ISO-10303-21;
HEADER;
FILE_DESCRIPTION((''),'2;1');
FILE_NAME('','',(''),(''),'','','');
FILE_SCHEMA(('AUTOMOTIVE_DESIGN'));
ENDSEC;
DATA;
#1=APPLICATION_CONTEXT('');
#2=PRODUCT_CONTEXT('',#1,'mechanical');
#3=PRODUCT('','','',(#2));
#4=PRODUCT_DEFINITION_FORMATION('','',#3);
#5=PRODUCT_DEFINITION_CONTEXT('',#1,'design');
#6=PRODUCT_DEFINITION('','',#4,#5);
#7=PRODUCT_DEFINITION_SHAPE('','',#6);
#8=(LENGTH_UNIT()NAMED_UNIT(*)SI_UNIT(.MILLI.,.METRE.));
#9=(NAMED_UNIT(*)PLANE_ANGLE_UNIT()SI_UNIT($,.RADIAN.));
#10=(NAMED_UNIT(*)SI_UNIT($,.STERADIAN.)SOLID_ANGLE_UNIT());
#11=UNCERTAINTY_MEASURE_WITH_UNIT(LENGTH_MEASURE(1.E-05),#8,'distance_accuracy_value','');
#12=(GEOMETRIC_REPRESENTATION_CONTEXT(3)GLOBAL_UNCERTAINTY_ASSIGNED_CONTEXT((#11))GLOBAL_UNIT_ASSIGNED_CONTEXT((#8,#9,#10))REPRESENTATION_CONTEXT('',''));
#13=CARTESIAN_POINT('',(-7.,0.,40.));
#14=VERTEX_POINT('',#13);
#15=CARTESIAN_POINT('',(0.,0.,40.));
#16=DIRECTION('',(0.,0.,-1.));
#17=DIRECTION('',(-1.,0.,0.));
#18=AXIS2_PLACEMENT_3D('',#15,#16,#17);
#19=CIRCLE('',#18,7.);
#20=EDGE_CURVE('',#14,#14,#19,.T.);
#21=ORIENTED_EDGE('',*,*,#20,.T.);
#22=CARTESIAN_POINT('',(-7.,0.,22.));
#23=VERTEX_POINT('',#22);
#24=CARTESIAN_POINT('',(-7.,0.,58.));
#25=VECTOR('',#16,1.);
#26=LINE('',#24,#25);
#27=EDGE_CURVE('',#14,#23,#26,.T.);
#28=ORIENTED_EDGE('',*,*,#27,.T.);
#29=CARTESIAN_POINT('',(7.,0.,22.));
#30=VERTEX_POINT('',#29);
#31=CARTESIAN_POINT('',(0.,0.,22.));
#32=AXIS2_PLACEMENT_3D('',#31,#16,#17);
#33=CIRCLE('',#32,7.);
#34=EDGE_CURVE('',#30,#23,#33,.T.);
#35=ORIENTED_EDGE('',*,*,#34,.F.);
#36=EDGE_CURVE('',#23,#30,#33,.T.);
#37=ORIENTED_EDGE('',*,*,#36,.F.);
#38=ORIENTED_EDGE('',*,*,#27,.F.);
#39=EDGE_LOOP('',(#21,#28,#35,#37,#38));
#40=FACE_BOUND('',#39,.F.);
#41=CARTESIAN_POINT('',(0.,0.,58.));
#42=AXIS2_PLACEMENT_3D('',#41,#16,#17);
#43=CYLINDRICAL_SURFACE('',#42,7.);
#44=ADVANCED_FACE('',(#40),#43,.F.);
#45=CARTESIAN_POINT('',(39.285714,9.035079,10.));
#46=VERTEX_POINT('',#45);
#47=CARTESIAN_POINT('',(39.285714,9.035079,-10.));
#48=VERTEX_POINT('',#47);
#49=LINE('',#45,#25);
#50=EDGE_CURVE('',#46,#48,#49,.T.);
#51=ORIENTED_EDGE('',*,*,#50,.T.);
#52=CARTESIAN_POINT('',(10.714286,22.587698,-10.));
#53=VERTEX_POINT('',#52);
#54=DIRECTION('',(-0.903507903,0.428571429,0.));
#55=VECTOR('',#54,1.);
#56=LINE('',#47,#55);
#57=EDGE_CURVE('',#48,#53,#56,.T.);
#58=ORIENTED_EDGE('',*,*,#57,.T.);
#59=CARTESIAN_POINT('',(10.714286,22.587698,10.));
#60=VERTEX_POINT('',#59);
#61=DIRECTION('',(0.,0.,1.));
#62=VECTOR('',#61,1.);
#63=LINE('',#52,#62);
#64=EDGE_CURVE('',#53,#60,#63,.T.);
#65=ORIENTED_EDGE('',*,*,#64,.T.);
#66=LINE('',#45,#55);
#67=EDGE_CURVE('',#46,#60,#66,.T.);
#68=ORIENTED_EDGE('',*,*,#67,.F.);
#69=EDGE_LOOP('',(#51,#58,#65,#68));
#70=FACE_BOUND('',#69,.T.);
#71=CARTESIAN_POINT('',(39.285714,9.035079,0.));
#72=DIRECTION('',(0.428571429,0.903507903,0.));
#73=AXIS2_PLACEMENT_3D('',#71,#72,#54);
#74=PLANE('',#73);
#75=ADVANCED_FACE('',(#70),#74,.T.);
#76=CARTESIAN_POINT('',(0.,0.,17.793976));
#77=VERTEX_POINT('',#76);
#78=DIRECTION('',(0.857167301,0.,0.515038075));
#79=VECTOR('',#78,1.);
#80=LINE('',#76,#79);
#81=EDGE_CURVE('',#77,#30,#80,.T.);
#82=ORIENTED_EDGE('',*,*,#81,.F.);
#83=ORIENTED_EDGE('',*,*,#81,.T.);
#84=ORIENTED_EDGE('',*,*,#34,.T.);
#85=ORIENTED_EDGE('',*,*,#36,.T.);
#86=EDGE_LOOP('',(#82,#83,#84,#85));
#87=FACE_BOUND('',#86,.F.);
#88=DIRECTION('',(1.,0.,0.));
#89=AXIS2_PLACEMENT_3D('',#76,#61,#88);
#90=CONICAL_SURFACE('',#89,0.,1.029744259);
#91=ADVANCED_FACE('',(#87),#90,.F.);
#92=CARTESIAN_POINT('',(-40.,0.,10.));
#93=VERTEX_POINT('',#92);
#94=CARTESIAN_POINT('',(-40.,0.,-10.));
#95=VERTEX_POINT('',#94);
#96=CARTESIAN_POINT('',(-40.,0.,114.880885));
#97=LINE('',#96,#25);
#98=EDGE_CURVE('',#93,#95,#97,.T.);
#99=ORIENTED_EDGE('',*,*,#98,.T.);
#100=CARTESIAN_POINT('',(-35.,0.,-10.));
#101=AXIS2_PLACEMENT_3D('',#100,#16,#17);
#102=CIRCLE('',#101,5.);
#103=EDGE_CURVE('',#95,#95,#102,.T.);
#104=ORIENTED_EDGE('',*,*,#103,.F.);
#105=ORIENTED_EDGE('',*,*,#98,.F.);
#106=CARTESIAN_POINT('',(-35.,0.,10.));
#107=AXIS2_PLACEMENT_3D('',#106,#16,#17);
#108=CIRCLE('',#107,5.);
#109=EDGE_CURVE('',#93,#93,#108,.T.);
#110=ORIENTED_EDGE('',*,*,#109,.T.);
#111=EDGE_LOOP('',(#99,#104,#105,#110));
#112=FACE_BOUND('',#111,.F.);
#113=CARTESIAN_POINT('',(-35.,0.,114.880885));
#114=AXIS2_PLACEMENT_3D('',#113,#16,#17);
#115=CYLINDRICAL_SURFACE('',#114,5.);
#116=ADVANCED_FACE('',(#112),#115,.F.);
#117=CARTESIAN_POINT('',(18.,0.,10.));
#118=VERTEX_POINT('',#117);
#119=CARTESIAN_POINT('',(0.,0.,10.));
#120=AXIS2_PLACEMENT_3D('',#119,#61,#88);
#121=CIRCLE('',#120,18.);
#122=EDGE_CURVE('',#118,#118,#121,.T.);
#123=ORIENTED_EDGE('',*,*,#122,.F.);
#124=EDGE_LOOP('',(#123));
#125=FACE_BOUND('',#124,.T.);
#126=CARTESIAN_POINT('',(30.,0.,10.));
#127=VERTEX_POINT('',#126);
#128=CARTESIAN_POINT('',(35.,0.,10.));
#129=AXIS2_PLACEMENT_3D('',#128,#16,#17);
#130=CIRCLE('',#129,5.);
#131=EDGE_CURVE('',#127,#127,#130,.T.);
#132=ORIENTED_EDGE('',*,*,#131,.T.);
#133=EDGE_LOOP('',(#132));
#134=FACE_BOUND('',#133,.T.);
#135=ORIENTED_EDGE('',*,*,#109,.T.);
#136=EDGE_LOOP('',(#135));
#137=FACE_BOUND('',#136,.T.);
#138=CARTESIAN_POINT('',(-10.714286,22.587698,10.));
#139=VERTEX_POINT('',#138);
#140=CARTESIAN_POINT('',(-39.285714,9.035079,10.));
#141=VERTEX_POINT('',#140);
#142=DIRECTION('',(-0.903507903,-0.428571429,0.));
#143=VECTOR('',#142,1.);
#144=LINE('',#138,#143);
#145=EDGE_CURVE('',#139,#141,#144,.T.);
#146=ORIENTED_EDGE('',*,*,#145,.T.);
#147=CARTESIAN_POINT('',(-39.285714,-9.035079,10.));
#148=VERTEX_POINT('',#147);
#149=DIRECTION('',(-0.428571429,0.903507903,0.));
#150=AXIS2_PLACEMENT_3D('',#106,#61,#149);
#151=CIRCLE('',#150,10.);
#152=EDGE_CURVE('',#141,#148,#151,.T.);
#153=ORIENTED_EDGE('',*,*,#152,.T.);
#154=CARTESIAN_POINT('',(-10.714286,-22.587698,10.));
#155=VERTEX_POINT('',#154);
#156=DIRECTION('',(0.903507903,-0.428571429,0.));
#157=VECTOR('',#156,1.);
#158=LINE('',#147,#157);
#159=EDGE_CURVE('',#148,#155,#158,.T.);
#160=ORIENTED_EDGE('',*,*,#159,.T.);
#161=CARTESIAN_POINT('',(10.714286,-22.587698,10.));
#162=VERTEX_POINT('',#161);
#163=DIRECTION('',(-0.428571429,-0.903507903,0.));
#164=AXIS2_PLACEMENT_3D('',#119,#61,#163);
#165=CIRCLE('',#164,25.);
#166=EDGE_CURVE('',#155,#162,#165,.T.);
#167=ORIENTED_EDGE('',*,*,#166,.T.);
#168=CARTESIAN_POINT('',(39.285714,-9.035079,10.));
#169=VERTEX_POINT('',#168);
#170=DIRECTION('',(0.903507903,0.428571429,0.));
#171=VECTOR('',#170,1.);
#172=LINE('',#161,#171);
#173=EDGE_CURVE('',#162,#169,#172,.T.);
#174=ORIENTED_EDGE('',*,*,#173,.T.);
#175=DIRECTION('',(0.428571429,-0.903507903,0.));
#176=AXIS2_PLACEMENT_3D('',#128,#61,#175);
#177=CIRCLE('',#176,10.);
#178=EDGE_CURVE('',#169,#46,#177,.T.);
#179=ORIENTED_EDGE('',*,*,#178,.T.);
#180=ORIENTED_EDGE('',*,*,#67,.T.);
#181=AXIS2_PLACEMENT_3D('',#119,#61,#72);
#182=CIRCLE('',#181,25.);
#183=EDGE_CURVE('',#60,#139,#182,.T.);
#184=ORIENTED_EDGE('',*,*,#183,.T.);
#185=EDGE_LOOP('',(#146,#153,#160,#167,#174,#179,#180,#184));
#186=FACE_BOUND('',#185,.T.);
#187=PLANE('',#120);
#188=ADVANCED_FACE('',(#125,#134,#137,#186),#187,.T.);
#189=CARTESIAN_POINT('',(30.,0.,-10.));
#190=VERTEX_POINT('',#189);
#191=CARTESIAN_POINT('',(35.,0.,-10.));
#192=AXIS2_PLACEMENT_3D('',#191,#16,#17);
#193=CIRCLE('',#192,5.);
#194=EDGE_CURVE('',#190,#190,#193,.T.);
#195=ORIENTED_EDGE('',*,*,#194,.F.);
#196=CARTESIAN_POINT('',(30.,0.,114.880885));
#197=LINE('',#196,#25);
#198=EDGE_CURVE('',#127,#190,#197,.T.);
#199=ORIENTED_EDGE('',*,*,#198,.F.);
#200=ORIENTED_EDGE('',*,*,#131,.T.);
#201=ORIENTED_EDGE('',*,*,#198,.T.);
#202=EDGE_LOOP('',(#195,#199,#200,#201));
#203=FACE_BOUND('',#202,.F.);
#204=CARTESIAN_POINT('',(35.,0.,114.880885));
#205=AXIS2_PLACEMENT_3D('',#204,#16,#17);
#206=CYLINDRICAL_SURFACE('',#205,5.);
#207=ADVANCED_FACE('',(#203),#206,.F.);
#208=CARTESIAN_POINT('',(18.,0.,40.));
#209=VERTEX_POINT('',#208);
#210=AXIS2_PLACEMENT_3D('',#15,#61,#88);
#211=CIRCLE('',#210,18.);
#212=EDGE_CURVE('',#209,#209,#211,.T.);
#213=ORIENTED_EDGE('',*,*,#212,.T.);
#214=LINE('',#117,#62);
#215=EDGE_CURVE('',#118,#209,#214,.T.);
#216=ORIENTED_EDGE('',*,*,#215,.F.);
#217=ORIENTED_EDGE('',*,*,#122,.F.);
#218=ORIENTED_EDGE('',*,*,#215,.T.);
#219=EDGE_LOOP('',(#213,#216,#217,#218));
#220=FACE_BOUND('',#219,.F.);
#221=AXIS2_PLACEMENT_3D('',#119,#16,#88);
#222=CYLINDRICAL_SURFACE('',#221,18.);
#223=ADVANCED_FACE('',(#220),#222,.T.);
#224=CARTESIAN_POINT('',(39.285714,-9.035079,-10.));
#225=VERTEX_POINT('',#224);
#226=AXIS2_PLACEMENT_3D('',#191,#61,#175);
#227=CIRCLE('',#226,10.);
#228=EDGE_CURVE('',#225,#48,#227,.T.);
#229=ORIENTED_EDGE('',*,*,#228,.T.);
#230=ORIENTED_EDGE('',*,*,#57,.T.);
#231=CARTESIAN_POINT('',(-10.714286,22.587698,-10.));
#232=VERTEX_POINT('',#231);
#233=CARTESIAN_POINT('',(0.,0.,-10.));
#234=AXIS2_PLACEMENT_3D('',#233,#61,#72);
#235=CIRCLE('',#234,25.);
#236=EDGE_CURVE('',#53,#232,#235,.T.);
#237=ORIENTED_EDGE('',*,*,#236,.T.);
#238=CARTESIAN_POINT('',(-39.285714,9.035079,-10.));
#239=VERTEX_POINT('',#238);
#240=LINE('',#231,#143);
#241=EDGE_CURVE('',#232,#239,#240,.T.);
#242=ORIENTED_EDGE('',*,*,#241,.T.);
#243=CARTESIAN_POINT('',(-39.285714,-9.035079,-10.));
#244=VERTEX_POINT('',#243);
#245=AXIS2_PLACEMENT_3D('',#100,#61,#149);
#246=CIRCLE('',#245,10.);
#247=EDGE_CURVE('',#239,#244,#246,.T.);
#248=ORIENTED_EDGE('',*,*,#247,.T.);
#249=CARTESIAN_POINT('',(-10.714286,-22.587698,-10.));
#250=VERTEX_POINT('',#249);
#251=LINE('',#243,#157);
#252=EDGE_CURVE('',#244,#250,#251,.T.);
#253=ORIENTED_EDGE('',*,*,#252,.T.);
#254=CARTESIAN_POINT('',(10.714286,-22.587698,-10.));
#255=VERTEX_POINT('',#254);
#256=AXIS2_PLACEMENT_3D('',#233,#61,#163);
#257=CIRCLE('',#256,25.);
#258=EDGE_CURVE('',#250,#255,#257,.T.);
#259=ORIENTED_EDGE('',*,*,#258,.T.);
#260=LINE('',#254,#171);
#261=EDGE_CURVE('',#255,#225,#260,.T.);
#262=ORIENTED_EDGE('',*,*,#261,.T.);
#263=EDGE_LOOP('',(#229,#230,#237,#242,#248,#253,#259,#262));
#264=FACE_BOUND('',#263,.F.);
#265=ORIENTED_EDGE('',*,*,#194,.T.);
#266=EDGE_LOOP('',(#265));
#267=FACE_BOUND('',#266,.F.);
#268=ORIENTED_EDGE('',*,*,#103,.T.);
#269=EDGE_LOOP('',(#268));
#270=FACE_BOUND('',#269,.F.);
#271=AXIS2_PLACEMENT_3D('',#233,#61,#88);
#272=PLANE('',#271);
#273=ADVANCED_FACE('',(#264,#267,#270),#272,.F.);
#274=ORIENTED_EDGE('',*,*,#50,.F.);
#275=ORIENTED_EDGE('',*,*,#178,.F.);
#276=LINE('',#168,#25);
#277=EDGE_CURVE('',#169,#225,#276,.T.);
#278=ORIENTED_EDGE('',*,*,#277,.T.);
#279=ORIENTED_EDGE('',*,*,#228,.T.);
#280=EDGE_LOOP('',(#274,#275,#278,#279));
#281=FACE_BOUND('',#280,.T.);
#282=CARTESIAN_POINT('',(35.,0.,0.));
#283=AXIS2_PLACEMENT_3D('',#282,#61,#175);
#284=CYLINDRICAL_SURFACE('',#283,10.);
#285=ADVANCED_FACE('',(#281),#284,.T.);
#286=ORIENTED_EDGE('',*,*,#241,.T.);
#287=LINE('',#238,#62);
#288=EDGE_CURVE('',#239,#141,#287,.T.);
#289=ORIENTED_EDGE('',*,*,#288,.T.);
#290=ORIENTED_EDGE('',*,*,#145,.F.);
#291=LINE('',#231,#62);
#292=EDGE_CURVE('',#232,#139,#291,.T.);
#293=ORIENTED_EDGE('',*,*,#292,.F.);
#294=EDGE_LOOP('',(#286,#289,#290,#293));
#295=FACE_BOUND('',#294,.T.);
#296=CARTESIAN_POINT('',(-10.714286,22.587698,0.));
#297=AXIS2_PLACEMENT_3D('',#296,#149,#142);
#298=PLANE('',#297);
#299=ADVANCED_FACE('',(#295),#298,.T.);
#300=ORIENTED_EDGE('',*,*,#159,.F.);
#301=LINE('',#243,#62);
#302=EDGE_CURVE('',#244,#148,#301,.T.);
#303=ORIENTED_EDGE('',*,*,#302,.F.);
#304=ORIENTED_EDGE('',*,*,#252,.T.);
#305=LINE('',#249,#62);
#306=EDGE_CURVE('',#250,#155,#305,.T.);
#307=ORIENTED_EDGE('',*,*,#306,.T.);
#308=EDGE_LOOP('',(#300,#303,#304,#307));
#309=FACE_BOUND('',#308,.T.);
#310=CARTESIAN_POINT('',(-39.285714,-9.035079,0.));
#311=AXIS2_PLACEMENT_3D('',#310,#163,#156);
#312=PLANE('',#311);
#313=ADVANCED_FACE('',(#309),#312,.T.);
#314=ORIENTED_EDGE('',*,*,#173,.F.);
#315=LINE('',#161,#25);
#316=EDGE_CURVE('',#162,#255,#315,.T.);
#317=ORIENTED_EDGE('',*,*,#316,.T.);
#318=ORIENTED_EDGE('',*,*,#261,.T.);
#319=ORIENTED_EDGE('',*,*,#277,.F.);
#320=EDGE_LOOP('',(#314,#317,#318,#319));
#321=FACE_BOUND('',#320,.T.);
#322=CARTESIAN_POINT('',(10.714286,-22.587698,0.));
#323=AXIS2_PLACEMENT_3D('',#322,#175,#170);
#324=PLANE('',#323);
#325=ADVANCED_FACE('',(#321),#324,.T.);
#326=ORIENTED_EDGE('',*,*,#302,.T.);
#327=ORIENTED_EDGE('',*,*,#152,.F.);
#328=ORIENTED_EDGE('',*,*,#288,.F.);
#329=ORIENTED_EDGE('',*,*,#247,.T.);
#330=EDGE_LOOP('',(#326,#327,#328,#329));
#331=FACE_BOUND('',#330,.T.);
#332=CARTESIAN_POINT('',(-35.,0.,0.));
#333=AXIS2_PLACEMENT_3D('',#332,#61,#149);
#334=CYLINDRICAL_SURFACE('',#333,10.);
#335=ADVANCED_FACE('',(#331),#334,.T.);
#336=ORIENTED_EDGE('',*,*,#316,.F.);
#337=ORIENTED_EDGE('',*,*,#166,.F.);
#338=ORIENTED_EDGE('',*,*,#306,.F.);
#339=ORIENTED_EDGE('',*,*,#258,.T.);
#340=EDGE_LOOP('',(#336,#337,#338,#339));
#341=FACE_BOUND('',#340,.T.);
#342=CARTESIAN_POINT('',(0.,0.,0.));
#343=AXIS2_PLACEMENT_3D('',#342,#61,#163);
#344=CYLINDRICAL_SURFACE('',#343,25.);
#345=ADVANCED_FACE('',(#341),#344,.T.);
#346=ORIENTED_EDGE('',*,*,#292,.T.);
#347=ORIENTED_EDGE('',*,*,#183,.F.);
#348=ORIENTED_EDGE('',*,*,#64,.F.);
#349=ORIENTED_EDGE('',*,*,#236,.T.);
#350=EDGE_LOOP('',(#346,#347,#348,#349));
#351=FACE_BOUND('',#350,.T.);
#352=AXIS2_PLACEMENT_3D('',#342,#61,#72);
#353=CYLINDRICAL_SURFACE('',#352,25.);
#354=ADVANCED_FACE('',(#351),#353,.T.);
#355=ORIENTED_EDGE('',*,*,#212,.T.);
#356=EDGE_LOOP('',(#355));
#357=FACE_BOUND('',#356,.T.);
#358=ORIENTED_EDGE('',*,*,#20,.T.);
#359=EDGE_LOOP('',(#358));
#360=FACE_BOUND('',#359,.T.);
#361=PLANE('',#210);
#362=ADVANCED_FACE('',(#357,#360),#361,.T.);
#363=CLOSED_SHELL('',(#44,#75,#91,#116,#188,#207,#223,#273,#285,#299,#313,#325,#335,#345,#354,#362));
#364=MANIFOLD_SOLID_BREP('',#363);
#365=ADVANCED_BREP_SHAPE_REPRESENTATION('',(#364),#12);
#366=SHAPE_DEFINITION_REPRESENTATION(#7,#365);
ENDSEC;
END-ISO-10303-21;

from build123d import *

# Parameters (mm, degrees)
F1_DEPTH = 10
F3_D     = 10
F2_R     = 18
F4_DEPTH = 30
F6_D     = 14
F6_DEPTH = 18
F6_TIP   = 4.2060243332


with BuildPart() as f1:
    # F0 (on Top) → F1 (new body, symmetric)
    with BuildSketch(Plane.XY):
        with BuildLine():
            Line((39.2857142857, 9.0350790291), (10.7142857143, 22.5876975726))
            ThreePointArc((10.7142857143, 22.5876975726), (0, 25), (-10.7142857143, 22.5876975726))
            Line((-10.7142857143, 22.5876975726), (-39.2857142857, 9.0350790291))
            ThreePointArc((-39.2857142857, 9.0350790291), (-45, 0), (-39.2857142857, -9.0350790291))
            Line((-39.2857142857, -9.0350790291), (-10.7142857143, -22.5876975726))
            ThreePointArc((-10.7142857143, -22.5876975726), (0, -25), (10.7142857143, -22.5876975726))
            Line((10.7142857143, -22.5876975726), (39.2857142857, -9.0350790291))
            ThreePointArc((39.2857142857, -9.0350790291), (45, 0), (39.2857142857, 9.0350790291))
        make_face()
    extrude(amount=F1_DEPTH, both=True)

    # F3 (through all)
    with Locations(Plane.XY.offset(10)):
        with Locations((-35, 0), (35, 0)):
            Hole(F3_D / 2)

    # F2 (on face) → F4 (join)
    with BuildSketch(Plane.XY.offset(10)):
        Circle(F2_R)
    extrude(amount=F4_DEPTH)

    # F6
    with Locations(Plane.XY.offset(40)):
        with Locations((0, 0)):
            Hole(F6_D / 2, depth=F6_DEPTH)
            with Locations((0, 0, -(F6_DEPTH + F6_TIP / 2))):  # 118° drill point
                Cone(0, F6_D / 2, F6_TIP, mode=Mode.SUBTRACT)


solid = f1.part
